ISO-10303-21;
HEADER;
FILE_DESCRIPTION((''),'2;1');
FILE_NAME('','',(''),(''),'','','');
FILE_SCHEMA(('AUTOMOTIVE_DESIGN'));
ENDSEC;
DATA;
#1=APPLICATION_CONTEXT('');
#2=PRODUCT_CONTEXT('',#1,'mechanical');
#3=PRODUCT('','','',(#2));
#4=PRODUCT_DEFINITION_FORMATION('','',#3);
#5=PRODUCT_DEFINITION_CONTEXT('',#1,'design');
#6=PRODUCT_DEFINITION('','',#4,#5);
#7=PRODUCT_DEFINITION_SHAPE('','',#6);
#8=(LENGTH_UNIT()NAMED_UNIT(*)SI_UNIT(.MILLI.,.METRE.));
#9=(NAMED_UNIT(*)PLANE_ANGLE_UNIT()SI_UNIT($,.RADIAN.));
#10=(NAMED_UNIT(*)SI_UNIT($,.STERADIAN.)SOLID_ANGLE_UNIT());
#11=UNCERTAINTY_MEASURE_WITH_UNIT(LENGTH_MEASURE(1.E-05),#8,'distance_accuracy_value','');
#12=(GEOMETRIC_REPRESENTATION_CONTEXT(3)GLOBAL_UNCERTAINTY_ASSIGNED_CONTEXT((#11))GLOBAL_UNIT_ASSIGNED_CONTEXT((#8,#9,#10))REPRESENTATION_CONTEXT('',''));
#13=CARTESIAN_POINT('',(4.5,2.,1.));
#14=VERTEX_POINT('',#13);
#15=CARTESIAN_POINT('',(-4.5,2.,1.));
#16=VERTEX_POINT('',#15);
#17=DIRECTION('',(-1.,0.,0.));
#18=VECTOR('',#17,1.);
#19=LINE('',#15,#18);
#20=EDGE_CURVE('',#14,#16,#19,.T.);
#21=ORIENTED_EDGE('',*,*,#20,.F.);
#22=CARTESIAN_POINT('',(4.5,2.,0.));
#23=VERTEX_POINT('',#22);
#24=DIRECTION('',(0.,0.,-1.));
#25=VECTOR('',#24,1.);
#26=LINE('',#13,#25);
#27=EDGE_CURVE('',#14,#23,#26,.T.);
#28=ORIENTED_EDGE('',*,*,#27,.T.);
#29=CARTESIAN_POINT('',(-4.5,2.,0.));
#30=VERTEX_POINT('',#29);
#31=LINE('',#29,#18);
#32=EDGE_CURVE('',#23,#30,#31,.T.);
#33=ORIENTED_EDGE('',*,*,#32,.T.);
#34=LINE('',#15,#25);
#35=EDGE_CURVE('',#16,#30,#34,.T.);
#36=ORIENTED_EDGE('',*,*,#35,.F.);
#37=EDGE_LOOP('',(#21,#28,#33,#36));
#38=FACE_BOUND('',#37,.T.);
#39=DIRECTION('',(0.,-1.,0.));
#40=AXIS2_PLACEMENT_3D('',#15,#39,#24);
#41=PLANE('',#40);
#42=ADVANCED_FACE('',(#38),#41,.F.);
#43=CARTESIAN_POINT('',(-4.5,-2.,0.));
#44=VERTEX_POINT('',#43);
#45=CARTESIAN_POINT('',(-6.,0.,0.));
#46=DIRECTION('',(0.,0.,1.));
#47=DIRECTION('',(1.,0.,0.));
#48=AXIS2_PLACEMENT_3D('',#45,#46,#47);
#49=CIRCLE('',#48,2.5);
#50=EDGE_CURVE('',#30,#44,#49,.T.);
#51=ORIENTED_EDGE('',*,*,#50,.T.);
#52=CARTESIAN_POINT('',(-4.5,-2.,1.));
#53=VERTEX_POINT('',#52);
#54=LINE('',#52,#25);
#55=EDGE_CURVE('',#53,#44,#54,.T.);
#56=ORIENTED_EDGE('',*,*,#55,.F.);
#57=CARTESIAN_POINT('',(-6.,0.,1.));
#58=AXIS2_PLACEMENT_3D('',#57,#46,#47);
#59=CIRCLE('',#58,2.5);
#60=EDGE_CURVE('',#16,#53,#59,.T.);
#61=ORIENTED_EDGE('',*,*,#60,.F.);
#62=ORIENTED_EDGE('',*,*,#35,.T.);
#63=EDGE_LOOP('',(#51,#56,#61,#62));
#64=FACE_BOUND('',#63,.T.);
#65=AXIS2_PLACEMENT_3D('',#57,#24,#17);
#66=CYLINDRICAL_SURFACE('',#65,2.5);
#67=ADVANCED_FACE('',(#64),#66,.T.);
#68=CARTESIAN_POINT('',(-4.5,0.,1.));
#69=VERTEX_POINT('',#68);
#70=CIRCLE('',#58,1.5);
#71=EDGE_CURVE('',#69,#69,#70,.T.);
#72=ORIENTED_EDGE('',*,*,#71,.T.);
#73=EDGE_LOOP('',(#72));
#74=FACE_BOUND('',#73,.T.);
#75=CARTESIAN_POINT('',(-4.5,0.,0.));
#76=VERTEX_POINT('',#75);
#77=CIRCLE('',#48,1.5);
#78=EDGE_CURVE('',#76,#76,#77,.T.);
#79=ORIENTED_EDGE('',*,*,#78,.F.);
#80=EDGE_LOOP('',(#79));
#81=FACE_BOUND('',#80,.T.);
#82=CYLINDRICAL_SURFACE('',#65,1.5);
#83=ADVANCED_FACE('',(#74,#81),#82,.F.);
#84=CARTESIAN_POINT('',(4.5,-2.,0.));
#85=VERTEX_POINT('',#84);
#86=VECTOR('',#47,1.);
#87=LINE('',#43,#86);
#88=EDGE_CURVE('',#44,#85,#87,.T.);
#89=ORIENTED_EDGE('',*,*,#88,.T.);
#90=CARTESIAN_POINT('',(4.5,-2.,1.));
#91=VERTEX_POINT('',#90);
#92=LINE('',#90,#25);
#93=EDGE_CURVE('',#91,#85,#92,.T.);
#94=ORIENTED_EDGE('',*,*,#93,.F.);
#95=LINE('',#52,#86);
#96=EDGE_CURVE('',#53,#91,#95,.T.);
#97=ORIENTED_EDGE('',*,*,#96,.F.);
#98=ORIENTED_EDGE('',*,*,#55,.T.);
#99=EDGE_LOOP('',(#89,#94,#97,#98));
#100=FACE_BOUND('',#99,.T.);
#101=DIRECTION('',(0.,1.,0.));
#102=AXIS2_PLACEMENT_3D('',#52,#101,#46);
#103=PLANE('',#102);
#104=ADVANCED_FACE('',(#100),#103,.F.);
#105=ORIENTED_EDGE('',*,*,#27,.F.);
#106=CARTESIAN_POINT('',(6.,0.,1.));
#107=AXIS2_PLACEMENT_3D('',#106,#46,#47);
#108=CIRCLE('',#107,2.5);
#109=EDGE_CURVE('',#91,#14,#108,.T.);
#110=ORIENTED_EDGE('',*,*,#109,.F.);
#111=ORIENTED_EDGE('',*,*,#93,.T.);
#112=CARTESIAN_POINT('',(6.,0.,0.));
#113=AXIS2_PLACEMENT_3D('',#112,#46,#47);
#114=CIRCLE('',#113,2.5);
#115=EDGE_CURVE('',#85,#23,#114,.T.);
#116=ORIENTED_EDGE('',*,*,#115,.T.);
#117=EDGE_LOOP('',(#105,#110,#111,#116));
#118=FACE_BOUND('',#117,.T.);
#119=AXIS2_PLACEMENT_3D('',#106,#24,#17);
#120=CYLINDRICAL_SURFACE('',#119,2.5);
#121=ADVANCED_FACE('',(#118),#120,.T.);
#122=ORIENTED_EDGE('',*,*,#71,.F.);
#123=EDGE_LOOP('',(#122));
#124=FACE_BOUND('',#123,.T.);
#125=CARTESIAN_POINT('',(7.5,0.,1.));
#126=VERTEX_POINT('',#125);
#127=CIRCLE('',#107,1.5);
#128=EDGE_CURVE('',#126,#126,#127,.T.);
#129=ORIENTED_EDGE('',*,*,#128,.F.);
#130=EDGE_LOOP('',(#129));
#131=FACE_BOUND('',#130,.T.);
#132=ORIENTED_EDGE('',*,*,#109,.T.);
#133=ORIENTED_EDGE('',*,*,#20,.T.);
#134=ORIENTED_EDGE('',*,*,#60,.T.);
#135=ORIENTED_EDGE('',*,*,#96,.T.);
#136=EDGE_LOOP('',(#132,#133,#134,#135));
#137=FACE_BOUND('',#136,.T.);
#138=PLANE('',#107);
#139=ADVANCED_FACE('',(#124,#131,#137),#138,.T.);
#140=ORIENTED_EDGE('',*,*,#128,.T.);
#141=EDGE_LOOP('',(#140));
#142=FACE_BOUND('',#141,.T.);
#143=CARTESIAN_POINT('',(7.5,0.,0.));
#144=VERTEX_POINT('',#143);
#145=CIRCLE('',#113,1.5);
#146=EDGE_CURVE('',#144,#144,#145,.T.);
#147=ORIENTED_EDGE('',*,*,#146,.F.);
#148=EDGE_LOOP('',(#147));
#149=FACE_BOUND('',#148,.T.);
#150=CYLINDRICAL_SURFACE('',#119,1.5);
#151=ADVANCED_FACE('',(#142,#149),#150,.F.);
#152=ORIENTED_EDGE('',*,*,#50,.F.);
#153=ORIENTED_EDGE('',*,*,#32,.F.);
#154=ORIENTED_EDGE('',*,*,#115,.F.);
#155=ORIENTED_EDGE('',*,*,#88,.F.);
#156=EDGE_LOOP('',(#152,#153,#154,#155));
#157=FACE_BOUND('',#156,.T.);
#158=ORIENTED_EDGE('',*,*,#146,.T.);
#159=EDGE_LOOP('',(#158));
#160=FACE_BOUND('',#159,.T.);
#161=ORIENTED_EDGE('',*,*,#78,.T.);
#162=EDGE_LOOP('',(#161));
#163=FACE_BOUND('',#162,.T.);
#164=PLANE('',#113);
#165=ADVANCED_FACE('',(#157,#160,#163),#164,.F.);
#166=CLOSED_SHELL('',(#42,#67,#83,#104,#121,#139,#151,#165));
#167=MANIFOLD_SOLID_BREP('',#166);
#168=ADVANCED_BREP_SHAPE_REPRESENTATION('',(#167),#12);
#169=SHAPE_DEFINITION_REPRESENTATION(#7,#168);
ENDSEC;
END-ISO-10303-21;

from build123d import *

# Parameters (mm, degrees)
SKETCH_1_R      = 1.5
EXTRUDE_1_DEPTH = 1


with BuildPart() as part:
    # 草图1 → 凸台-拉伸1 (new body)
    with BuildSketch(Plane.XY):
        with BuildLine():
            Line((-4.5, 2), (4.5, 2))
            ThreePointArc((4.5, 2), (8.5, 0), (4.5, -2))
            Line((4.5, -2), (-4.5, -2))
            ThreePointArc((-4.5, -2), (-8.5, 0), (-4.5, 2))
        make_face()
        with Locations((6, 0)):
            Circle(SKETCH_1_R, mode=Mode.SUBTRACT)
        with Locations((-6, 0)):
            Circle(SKETCH_1_R, mode=Mode.SUBTRACT)
    extrude(amount=EXTRUDE_1_DEPTH)


solid = part.part
